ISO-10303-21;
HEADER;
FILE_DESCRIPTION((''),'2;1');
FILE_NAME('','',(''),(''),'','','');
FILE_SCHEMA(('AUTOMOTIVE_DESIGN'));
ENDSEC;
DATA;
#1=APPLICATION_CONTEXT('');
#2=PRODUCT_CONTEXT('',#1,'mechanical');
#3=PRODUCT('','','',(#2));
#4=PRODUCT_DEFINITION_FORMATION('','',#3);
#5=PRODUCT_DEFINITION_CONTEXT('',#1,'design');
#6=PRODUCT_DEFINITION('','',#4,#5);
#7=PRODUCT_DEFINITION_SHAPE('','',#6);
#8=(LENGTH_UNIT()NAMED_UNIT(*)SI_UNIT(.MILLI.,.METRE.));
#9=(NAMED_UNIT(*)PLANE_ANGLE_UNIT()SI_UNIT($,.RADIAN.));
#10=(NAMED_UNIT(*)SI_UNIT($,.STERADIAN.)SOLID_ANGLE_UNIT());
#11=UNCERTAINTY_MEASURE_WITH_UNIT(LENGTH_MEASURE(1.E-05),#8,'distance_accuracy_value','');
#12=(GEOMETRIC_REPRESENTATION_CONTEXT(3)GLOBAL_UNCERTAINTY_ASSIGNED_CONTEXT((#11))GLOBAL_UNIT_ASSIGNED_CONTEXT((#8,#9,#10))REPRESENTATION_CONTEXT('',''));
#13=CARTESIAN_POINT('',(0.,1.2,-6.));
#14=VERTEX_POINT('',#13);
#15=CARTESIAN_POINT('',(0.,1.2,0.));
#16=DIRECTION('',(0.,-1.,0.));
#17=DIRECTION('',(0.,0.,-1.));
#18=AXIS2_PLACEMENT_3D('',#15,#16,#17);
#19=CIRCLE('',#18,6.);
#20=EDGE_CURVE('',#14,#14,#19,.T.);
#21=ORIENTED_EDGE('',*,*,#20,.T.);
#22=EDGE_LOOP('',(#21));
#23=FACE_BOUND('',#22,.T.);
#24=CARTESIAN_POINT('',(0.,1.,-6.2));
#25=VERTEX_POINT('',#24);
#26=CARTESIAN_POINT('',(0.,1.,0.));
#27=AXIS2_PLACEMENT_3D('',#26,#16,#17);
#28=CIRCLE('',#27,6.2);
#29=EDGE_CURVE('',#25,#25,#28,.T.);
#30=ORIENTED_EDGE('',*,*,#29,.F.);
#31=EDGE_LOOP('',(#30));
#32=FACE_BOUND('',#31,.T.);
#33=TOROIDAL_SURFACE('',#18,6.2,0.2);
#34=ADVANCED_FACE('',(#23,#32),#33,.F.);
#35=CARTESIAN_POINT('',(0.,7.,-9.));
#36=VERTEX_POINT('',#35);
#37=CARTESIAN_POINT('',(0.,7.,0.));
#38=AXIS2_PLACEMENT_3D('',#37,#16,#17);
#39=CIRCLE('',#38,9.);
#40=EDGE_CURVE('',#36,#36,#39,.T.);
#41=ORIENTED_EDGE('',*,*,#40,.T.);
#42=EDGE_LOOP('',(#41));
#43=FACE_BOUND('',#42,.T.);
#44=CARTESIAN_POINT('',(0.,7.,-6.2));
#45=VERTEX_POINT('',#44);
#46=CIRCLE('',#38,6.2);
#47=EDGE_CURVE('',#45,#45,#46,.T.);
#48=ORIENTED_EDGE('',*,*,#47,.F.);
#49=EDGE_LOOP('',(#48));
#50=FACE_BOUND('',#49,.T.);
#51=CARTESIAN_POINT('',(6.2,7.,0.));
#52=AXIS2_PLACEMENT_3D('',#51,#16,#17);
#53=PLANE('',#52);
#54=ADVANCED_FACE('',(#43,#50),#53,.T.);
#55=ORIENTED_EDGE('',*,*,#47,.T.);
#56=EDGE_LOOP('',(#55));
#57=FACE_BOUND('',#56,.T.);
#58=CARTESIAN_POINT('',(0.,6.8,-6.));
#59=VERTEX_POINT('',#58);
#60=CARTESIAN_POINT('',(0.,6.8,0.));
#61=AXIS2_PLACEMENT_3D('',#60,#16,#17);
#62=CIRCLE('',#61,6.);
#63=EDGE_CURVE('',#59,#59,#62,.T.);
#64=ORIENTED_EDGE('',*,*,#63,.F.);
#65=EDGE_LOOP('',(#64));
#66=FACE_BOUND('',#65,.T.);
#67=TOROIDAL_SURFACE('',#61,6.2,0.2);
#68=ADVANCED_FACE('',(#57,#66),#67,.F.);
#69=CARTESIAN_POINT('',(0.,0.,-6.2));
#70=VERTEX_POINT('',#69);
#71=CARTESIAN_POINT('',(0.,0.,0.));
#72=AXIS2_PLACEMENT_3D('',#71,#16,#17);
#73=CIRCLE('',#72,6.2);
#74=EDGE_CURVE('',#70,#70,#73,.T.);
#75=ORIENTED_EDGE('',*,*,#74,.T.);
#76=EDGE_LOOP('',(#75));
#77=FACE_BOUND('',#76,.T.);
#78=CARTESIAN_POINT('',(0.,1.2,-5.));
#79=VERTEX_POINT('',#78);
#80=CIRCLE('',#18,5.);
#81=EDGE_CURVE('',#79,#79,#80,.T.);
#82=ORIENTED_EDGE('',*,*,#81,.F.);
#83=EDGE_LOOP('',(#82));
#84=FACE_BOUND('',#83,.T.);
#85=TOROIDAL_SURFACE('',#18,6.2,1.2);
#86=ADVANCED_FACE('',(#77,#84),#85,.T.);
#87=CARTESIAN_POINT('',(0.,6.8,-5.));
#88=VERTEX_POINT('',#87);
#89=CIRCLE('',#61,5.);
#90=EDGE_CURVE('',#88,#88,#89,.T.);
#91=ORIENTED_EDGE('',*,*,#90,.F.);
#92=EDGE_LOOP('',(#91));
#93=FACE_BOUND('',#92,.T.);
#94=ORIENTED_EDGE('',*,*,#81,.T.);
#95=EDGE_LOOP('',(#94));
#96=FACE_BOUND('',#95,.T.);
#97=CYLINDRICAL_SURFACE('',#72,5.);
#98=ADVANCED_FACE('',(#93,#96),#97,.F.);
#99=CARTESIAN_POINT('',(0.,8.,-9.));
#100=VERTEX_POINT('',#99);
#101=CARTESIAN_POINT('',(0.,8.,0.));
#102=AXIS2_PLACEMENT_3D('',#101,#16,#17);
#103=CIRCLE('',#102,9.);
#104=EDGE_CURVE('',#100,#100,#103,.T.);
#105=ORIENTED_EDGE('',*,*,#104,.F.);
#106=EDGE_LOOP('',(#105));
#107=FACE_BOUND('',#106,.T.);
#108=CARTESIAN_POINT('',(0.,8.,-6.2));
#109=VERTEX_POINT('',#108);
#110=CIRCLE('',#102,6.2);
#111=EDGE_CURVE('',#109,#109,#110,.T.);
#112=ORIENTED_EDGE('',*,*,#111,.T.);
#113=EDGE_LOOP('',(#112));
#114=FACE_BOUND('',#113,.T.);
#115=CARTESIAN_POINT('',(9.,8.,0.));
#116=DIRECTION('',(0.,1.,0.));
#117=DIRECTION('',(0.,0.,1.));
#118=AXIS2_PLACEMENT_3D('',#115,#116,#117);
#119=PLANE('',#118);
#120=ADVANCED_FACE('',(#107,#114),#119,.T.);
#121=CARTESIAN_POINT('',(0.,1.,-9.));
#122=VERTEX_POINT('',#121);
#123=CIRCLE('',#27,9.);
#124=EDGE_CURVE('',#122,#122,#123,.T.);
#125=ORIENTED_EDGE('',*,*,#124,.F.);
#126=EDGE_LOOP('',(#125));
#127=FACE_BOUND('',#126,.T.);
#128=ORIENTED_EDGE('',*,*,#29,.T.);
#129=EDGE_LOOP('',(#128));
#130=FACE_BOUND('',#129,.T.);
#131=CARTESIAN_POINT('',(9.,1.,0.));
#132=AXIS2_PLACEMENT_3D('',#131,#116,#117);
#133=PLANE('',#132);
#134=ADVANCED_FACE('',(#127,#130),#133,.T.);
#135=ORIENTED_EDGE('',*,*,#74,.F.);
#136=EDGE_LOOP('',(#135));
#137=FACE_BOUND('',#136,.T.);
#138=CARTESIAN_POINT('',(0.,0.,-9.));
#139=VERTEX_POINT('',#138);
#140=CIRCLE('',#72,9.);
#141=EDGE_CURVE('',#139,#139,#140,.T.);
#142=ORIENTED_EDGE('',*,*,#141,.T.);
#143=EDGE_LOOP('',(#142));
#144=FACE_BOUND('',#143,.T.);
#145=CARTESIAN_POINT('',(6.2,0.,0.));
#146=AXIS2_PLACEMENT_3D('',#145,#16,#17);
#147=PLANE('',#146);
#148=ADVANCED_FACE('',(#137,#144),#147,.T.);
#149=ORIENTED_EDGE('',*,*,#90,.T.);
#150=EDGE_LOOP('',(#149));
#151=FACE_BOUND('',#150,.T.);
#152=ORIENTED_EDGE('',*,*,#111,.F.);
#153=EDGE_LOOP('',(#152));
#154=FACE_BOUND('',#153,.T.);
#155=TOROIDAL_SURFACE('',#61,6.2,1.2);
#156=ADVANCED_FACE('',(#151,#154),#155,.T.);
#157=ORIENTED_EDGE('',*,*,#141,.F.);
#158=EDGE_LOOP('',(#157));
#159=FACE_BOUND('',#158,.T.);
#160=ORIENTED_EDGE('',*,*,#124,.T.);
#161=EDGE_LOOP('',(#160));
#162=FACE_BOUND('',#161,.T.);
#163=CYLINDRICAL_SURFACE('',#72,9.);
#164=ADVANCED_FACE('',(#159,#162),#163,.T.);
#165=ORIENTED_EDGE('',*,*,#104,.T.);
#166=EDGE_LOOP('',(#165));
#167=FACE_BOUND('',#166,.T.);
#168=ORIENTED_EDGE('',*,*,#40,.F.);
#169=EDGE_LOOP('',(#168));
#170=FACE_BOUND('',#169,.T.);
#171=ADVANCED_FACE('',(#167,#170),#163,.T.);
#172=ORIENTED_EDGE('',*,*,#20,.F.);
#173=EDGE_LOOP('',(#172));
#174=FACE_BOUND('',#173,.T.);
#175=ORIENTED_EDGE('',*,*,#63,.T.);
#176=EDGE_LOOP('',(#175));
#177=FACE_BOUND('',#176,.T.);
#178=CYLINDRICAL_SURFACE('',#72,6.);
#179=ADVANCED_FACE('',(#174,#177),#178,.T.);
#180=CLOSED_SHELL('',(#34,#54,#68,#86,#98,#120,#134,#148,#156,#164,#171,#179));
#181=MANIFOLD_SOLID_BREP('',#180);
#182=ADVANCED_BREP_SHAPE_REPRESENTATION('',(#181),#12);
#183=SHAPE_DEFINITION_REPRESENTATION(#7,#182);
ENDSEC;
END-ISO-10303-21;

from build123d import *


with BuildPart() as part:
    # Esquisse1 → Base-Révolution (revolve)
    with BuildSketch(Plane.XY, mode=Mode.PRIVATE) as base_r_volution_sk:
        with BuildLine():
            Line((6.2, 0), (9, 0))
            Line((9, 0), (9, 1))
            Line((9, 1), (6.2, 1))
            ThreePointArc((6.2, 1), (6.058578644, 1.058578644), (6, 1.2))
            Line((6, 1.2), (6, 6.8))
            ThreePointArc((6, 6.8), (6.058578644, 6.941421356), (6.2, 7))
            Line((6.2, 7), (9, 7))
            Line((9, 7), (9, 8))
            Line((9, 8), (6.2, 8))
            ThreePointArc((6.2, 8), (5.351471863, 7.648528137), (5, 6.8))
            Line((5, 6.8), (5, 1.2))
            ThreePointArc((5, 1.2), (5.351471863, 0.351471863), (6.2, 0))
        make_face()
    revolve(base_r_volution_sk.sketch.rotate(Axis((0, 0, 0), (0, 1, 0)), 90), axis=Axis((0, 0, 0), (0, 1, 0)))


solid = part.part
